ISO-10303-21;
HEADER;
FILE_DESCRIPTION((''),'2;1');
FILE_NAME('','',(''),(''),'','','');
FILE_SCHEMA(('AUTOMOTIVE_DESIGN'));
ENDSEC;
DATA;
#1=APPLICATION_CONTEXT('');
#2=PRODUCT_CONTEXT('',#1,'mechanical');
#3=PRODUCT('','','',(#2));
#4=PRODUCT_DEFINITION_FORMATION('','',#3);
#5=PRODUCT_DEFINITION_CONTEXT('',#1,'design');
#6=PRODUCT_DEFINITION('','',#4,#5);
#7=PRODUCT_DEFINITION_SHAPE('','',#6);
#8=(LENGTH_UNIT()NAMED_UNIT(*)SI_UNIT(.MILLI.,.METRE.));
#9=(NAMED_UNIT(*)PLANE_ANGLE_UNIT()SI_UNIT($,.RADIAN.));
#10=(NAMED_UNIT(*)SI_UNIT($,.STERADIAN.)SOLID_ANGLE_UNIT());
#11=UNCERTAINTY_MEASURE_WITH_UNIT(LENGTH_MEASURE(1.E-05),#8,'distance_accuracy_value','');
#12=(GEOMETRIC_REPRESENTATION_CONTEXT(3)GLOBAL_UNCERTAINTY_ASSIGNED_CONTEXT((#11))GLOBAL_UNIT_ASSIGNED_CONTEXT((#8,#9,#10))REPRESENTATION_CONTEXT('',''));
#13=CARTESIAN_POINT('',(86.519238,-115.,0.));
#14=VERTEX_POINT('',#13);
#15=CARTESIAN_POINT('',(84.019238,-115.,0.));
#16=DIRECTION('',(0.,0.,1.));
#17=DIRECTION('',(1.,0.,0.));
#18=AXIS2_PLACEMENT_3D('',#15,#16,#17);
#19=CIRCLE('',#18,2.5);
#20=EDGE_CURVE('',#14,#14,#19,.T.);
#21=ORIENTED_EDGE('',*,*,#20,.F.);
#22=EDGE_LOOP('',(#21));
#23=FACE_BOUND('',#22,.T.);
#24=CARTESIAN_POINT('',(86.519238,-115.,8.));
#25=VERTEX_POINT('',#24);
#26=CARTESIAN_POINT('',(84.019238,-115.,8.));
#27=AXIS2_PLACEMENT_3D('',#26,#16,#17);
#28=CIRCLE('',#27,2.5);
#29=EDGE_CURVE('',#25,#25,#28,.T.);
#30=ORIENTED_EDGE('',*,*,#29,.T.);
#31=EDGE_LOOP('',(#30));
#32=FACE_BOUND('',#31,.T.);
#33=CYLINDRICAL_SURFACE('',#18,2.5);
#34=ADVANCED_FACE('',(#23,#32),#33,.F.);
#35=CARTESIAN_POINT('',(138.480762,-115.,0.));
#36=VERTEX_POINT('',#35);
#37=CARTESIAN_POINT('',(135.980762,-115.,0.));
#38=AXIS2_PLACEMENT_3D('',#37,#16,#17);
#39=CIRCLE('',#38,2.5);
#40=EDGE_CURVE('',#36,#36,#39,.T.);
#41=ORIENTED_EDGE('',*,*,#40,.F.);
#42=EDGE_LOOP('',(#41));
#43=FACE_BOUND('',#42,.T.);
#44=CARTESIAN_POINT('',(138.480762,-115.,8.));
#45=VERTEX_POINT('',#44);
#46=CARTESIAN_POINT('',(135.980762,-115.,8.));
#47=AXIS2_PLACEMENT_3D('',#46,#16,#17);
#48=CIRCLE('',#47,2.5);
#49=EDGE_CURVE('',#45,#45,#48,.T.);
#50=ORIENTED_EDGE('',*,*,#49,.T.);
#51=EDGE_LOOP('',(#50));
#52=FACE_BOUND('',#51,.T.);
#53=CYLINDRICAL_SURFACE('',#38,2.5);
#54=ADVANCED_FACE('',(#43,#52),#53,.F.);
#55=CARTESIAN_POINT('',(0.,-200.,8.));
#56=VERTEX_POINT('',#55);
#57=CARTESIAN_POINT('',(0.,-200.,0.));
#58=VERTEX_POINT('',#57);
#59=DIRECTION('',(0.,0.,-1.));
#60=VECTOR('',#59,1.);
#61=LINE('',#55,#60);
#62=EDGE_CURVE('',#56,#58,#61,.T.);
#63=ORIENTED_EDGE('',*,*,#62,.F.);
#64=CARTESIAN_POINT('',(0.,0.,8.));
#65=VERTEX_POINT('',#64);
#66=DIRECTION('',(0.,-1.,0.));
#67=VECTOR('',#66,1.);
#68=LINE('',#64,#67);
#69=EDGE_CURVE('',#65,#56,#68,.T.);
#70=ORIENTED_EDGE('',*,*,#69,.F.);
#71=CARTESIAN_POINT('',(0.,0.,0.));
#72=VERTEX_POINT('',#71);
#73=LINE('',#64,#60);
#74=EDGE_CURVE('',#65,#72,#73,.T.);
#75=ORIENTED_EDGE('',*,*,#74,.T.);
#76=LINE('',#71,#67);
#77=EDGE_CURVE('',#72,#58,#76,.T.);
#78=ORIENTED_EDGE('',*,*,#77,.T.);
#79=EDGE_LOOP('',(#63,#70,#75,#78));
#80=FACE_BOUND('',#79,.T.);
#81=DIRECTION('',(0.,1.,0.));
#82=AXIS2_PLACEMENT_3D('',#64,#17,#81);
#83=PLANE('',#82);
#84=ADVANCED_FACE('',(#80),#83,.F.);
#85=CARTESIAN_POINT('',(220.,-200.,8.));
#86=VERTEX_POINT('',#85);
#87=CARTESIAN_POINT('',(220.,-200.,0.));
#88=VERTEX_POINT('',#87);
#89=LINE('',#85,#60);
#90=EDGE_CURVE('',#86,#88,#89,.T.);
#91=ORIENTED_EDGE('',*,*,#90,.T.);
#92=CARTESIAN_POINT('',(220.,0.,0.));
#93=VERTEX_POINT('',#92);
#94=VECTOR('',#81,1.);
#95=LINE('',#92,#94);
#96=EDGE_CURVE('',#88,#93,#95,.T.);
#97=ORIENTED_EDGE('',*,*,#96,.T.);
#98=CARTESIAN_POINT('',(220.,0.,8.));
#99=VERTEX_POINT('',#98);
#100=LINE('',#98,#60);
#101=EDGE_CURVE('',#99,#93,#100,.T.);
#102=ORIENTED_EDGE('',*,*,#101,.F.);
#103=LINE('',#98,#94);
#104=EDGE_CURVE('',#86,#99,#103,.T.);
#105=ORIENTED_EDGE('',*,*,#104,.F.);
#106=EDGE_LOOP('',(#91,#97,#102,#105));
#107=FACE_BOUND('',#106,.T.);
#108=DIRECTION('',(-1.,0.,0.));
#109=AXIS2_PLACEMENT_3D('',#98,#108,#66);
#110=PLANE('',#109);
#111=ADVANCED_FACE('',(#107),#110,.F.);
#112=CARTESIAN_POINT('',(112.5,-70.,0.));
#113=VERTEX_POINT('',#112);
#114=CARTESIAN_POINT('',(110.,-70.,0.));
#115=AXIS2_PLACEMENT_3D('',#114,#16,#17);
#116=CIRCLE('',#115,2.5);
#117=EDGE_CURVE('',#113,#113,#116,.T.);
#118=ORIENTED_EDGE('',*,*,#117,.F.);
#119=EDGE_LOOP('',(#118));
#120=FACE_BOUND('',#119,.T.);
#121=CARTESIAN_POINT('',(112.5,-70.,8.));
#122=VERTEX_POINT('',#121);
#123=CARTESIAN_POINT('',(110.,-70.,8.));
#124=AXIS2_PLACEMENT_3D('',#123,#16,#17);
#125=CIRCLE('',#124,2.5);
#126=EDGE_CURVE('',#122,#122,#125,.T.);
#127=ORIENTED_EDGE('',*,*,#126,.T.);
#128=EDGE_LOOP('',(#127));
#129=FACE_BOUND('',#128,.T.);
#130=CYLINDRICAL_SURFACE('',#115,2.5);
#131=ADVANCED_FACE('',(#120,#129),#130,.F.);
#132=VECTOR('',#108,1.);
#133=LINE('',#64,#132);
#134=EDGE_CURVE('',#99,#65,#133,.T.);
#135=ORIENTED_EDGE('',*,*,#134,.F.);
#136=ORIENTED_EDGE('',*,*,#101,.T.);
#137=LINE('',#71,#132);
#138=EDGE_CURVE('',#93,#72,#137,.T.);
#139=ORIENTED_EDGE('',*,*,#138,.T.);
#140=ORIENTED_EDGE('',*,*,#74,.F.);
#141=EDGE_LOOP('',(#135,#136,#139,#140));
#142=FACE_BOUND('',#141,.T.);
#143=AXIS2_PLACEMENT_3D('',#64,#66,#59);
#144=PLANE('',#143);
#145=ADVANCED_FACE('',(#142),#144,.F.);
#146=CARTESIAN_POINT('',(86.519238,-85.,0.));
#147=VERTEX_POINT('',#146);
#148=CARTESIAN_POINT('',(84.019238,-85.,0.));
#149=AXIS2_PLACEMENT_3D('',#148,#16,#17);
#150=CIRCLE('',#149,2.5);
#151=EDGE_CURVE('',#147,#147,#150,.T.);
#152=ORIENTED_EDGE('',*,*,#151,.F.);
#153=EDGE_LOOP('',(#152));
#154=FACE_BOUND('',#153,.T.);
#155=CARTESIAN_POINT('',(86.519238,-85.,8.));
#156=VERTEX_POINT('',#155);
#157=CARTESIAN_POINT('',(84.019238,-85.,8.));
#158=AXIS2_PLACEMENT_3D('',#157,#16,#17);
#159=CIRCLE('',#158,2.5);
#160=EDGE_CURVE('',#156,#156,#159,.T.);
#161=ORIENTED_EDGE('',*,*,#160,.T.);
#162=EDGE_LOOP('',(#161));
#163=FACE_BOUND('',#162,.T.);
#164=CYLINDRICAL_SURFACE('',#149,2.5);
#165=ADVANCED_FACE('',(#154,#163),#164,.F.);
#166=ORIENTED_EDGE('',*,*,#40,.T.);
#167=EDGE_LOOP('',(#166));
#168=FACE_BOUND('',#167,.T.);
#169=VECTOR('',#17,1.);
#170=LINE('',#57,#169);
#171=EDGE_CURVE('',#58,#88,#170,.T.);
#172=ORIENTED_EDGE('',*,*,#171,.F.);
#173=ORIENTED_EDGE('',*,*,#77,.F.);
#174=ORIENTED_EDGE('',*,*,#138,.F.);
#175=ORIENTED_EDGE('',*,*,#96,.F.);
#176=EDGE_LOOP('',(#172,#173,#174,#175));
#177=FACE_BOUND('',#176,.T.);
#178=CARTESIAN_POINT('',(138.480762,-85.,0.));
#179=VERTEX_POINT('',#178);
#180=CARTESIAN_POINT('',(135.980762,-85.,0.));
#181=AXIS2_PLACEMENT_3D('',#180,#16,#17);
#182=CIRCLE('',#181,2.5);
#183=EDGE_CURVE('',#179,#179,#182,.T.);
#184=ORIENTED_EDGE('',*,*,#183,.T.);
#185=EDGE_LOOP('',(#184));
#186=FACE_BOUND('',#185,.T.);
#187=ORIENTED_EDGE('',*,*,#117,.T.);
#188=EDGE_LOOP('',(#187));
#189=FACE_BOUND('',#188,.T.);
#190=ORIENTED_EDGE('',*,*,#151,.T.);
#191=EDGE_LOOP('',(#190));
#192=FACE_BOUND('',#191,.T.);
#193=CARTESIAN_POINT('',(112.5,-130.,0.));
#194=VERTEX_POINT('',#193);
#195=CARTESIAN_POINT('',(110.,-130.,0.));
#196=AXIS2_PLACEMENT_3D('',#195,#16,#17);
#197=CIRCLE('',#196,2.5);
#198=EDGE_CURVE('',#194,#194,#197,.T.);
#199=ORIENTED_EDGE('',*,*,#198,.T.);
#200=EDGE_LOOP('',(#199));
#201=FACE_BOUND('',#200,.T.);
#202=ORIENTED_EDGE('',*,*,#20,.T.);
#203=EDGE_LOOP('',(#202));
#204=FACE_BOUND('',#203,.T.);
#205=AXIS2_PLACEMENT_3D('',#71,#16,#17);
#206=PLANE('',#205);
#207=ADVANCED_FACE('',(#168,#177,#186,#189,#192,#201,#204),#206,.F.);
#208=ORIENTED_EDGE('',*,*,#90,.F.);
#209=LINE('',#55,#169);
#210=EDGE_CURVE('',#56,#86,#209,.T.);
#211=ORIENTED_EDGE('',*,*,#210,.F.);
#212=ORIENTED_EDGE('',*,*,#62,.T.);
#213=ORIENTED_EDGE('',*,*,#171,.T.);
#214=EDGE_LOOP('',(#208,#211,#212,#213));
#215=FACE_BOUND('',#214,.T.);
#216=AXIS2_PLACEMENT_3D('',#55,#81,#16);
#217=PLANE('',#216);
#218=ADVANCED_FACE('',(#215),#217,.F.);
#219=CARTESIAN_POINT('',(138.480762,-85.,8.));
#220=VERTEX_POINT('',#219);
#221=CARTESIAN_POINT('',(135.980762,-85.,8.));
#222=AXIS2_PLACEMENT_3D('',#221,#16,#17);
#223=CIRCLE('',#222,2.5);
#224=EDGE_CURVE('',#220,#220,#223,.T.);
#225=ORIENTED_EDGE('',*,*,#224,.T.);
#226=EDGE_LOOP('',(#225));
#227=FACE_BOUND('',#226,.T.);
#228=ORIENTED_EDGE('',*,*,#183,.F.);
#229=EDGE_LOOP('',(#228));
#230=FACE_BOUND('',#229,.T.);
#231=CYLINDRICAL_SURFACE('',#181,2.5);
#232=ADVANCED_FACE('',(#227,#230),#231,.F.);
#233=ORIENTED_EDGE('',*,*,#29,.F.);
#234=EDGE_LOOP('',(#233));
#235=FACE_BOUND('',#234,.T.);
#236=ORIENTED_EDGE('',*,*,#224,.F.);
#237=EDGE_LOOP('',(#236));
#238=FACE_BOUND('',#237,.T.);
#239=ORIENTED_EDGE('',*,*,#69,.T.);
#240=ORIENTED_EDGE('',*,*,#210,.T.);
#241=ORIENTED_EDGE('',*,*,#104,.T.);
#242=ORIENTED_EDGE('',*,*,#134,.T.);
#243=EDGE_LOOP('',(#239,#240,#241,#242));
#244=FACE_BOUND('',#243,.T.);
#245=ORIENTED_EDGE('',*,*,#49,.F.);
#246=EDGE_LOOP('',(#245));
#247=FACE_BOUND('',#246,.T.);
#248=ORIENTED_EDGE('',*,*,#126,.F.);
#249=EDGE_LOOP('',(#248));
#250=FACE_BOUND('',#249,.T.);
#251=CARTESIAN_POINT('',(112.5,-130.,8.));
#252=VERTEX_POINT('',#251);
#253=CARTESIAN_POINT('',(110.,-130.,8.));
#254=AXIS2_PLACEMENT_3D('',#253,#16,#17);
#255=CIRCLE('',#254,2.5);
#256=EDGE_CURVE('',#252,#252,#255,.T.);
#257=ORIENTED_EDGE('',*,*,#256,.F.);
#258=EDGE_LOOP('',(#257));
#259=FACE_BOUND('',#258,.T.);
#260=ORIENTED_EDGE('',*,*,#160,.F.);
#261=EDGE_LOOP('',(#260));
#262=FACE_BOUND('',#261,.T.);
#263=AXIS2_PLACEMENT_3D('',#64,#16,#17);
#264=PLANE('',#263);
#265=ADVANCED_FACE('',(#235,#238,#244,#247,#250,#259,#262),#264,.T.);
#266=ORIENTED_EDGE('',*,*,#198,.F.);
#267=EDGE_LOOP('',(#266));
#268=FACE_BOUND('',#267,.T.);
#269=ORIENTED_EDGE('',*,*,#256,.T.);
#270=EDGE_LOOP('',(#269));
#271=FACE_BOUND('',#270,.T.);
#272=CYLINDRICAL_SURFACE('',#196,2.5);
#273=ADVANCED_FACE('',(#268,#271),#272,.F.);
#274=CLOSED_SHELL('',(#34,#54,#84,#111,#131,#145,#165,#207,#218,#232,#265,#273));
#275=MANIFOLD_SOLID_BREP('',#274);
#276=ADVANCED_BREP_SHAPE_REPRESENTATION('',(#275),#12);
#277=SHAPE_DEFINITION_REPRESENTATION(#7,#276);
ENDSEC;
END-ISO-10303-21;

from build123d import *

# Parameters (mm, degrees)
SKETCH_1_W          = 220
SKETCH_1_H          = 200
EXTRUDE_1_DEPTH     = 8
SKETCH_2_R          = 2.5
CUT_EXTRUDE_1_DEPTH = 298.42898312


with BuildPart() as part:
    # 草图1 → 凸台-拉伸1 (new body)
    with BuildSketch(Plane.XY):
        with Locations((110, -100)):
            Rectangle(SKETCH_1_W, SKETCH_1_H)
    extrude(amount=EXTRUDE_1_DEPTH)

    # 草图2 → 切除-拉伸1 (cut, through all)
    with BuildSketch(Plane.XY.offset(8)):
        with Locations((110, -70)):
            Circle(SKETCH_2_R)
        with Locations((135.980762114, -85)):
            Circle(SKETCH_2_R)
        with Locations((135.980762114, -115)):
            Circle(SKETCH_2_R)
        with Locations((110, -130)):
            Circle(SKETCH_2_R)
        with Locations((84.019237886, -115)):
            Circle(SKETCH_2_R)
        with Locations((84.019237886, -85)):
            Circle(SKETCH_2_R)
    extrude(amount=-CUT_EXTRUDE_1_DEPTH, mode=Mode.SUBTRACT)


solid = part.part
